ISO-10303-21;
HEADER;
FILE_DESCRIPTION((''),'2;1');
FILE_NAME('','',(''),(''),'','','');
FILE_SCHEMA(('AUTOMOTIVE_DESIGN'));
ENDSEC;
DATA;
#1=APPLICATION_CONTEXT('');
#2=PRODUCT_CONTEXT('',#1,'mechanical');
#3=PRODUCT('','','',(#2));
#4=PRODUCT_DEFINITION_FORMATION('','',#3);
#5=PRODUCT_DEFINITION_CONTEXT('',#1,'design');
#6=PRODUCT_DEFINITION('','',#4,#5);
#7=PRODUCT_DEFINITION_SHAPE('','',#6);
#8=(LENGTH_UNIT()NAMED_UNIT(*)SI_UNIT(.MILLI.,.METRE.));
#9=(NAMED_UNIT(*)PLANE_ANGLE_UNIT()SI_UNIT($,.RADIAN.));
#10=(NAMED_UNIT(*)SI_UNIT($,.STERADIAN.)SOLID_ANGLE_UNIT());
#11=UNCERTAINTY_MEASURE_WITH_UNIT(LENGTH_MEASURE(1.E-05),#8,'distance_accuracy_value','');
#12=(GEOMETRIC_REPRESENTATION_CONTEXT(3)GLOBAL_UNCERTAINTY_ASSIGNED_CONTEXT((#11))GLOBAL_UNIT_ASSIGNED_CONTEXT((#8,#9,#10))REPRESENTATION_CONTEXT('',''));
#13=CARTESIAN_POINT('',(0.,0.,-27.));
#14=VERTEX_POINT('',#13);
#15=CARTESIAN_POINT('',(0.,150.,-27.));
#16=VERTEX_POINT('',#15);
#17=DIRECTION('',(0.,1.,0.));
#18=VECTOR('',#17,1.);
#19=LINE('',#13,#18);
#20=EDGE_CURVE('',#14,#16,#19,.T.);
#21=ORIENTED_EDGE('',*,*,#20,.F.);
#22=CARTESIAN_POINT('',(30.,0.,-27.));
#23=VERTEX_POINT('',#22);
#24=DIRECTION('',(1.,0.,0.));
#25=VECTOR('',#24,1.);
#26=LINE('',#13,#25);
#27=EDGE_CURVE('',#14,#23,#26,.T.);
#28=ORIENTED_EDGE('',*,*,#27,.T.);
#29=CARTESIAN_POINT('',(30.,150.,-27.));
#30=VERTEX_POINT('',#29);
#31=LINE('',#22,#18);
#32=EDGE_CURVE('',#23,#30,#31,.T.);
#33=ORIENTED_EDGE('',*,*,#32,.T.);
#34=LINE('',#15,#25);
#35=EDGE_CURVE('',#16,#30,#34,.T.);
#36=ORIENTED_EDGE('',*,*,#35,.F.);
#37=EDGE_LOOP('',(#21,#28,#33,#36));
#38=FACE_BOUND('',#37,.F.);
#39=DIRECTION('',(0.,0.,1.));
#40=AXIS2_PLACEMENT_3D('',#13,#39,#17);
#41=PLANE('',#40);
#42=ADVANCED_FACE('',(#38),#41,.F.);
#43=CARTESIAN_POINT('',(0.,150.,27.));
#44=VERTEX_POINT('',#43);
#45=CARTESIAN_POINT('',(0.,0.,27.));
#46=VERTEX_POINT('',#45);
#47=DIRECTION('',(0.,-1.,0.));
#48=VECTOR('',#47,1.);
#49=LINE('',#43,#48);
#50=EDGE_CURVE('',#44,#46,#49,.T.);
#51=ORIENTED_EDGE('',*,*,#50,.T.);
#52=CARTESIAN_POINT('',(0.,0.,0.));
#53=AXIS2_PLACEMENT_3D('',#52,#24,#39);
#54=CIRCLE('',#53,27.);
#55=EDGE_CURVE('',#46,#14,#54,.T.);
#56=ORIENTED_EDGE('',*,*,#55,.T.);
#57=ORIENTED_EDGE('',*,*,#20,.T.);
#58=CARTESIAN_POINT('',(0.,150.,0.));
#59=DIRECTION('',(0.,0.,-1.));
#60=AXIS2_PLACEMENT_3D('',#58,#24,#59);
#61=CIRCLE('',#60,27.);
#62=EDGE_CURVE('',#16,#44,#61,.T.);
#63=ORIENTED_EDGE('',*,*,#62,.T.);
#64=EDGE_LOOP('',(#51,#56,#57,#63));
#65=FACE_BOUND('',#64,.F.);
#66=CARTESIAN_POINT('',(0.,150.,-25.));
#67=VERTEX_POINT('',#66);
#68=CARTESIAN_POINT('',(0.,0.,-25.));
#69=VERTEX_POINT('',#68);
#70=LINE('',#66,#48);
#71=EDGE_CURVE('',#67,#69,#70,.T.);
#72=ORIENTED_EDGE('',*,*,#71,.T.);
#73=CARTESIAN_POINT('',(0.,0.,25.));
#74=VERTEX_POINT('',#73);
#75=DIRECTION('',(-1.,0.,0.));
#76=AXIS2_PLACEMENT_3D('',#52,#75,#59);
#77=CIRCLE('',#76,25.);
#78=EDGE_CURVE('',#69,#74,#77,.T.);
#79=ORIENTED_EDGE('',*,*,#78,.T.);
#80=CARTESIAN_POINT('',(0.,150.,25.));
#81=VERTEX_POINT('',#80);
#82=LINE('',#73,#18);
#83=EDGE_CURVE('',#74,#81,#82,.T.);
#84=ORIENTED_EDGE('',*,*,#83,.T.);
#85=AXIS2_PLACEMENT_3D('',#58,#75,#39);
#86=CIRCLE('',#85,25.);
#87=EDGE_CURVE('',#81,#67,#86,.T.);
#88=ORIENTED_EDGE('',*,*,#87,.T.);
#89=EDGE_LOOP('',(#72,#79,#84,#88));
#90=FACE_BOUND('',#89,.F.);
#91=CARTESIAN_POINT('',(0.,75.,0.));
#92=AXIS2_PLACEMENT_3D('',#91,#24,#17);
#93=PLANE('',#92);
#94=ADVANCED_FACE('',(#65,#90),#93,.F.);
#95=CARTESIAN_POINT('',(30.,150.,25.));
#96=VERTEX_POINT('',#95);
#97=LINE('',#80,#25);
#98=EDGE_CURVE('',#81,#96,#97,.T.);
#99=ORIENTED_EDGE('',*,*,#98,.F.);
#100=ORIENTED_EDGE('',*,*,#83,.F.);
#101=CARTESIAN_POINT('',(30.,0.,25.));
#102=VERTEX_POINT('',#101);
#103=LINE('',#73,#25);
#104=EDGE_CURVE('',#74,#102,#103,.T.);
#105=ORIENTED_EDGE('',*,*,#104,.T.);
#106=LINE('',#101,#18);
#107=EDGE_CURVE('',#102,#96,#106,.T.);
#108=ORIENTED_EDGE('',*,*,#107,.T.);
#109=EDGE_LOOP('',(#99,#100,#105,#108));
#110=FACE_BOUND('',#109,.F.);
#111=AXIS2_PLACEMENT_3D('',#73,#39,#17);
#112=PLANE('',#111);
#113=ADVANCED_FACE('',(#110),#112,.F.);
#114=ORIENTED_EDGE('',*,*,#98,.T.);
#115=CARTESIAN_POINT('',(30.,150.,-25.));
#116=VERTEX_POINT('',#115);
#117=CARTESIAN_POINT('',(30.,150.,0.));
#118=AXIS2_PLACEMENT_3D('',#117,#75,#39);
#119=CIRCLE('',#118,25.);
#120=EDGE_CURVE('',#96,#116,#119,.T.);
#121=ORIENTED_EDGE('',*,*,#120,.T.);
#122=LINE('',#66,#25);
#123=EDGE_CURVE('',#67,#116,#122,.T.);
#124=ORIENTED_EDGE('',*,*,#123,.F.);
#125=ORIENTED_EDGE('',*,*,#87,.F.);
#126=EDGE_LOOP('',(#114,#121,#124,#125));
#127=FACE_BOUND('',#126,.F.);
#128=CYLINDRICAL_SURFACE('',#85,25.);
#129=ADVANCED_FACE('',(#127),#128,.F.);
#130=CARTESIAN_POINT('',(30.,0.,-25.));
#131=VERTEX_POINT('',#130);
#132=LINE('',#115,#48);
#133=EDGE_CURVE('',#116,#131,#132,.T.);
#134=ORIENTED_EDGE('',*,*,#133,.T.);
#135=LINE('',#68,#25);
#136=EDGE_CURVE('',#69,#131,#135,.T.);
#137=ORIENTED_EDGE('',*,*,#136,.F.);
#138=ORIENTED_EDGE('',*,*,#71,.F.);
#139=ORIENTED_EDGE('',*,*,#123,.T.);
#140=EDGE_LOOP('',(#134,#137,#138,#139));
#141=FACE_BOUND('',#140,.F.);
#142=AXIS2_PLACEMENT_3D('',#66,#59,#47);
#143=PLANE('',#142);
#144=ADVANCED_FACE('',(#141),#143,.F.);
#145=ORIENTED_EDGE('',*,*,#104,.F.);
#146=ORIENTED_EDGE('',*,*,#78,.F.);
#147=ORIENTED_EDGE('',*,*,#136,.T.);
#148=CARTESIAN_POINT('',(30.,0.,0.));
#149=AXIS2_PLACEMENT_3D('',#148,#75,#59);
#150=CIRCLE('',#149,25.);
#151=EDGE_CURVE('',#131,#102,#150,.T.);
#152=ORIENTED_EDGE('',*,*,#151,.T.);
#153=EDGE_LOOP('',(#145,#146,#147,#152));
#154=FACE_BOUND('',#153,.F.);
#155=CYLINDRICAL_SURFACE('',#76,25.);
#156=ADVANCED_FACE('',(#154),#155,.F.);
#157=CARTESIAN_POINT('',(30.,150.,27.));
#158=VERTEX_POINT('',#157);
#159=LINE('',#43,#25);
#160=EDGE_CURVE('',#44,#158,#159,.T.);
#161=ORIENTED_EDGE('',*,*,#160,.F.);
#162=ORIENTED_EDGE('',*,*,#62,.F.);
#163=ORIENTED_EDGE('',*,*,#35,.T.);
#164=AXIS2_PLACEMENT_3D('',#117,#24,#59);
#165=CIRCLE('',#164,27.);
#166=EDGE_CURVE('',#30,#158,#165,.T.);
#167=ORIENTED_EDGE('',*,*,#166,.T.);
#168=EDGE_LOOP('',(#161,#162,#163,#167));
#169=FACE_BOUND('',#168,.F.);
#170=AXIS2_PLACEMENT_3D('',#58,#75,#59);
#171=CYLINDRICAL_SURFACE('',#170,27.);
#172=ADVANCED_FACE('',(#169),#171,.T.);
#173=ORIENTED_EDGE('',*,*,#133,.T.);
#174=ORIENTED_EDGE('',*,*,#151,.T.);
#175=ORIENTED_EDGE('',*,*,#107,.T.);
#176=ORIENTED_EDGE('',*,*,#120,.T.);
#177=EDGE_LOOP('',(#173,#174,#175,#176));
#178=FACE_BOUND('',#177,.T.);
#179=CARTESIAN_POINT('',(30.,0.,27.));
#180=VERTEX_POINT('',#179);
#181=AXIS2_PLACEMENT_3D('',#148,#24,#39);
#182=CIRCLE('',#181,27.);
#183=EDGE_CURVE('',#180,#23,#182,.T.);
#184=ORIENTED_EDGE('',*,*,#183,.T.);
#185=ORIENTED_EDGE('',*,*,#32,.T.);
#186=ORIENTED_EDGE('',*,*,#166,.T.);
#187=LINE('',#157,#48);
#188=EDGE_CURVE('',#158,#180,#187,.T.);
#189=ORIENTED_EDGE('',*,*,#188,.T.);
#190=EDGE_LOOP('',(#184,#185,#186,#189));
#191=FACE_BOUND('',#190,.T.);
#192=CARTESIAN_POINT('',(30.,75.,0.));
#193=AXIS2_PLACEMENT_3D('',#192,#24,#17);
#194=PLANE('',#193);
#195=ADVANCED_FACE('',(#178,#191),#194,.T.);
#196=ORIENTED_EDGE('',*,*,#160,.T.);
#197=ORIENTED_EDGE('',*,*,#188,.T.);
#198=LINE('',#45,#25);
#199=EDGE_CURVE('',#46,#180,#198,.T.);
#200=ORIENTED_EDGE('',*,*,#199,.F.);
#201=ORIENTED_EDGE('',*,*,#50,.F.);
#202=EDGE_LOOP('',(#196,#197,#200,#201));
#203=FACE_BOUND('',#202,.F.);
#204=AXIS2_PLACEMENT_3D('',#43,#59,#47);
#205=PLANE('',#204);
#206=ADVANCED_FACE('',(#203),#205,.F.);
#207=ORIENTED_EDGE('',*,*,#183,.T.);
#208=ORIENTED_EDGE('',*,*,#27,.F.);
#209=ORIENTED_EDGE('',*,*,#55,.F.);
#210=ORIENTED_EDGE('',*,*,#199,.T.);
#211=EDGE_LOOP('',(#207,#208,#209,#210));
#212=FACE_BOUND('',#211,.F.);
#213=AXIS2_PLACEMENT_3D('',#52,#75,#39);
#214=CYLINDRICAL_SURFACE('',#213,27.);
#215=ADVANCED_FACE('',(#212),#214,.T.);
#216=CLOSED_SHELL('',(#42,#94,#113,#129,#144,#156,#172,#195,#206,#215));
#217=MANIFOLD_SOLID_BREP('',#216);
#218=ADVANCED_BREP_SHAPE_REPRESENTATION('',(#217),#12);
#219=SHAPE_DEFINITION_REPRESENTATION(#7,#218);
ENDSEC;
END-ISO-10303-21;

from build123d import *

# Parameters (mm, degrees)
F1_DEPTH = 30


with BuildPart() as f1:
    # F0 (on Right) → F1 (new body)
    with BuildSketch(Plane.YZ):
        with BuildLine():
            Line((150, 27), (0, 27))
            ThreePointArc((0, 27), (-27, 0), (0, -27))
            Line((0, -27), (150, -27))
            ThreePointArc((150, -27), (177, 0), (150, 27))
        make_face()
        with BuildLine():
            ThreePointArc((0, -25), (-25, 0), (0, 25))
            Line((0, 25), (150, 25))
            ThreePointArc((150, 25), (175, 0), (150, -25))
            Line((150, -25), (0, -25))
        make_face(mode=Mode.SUBTRACT)
    extrude(amount=F1_DEPTH)


solid = f1.part
